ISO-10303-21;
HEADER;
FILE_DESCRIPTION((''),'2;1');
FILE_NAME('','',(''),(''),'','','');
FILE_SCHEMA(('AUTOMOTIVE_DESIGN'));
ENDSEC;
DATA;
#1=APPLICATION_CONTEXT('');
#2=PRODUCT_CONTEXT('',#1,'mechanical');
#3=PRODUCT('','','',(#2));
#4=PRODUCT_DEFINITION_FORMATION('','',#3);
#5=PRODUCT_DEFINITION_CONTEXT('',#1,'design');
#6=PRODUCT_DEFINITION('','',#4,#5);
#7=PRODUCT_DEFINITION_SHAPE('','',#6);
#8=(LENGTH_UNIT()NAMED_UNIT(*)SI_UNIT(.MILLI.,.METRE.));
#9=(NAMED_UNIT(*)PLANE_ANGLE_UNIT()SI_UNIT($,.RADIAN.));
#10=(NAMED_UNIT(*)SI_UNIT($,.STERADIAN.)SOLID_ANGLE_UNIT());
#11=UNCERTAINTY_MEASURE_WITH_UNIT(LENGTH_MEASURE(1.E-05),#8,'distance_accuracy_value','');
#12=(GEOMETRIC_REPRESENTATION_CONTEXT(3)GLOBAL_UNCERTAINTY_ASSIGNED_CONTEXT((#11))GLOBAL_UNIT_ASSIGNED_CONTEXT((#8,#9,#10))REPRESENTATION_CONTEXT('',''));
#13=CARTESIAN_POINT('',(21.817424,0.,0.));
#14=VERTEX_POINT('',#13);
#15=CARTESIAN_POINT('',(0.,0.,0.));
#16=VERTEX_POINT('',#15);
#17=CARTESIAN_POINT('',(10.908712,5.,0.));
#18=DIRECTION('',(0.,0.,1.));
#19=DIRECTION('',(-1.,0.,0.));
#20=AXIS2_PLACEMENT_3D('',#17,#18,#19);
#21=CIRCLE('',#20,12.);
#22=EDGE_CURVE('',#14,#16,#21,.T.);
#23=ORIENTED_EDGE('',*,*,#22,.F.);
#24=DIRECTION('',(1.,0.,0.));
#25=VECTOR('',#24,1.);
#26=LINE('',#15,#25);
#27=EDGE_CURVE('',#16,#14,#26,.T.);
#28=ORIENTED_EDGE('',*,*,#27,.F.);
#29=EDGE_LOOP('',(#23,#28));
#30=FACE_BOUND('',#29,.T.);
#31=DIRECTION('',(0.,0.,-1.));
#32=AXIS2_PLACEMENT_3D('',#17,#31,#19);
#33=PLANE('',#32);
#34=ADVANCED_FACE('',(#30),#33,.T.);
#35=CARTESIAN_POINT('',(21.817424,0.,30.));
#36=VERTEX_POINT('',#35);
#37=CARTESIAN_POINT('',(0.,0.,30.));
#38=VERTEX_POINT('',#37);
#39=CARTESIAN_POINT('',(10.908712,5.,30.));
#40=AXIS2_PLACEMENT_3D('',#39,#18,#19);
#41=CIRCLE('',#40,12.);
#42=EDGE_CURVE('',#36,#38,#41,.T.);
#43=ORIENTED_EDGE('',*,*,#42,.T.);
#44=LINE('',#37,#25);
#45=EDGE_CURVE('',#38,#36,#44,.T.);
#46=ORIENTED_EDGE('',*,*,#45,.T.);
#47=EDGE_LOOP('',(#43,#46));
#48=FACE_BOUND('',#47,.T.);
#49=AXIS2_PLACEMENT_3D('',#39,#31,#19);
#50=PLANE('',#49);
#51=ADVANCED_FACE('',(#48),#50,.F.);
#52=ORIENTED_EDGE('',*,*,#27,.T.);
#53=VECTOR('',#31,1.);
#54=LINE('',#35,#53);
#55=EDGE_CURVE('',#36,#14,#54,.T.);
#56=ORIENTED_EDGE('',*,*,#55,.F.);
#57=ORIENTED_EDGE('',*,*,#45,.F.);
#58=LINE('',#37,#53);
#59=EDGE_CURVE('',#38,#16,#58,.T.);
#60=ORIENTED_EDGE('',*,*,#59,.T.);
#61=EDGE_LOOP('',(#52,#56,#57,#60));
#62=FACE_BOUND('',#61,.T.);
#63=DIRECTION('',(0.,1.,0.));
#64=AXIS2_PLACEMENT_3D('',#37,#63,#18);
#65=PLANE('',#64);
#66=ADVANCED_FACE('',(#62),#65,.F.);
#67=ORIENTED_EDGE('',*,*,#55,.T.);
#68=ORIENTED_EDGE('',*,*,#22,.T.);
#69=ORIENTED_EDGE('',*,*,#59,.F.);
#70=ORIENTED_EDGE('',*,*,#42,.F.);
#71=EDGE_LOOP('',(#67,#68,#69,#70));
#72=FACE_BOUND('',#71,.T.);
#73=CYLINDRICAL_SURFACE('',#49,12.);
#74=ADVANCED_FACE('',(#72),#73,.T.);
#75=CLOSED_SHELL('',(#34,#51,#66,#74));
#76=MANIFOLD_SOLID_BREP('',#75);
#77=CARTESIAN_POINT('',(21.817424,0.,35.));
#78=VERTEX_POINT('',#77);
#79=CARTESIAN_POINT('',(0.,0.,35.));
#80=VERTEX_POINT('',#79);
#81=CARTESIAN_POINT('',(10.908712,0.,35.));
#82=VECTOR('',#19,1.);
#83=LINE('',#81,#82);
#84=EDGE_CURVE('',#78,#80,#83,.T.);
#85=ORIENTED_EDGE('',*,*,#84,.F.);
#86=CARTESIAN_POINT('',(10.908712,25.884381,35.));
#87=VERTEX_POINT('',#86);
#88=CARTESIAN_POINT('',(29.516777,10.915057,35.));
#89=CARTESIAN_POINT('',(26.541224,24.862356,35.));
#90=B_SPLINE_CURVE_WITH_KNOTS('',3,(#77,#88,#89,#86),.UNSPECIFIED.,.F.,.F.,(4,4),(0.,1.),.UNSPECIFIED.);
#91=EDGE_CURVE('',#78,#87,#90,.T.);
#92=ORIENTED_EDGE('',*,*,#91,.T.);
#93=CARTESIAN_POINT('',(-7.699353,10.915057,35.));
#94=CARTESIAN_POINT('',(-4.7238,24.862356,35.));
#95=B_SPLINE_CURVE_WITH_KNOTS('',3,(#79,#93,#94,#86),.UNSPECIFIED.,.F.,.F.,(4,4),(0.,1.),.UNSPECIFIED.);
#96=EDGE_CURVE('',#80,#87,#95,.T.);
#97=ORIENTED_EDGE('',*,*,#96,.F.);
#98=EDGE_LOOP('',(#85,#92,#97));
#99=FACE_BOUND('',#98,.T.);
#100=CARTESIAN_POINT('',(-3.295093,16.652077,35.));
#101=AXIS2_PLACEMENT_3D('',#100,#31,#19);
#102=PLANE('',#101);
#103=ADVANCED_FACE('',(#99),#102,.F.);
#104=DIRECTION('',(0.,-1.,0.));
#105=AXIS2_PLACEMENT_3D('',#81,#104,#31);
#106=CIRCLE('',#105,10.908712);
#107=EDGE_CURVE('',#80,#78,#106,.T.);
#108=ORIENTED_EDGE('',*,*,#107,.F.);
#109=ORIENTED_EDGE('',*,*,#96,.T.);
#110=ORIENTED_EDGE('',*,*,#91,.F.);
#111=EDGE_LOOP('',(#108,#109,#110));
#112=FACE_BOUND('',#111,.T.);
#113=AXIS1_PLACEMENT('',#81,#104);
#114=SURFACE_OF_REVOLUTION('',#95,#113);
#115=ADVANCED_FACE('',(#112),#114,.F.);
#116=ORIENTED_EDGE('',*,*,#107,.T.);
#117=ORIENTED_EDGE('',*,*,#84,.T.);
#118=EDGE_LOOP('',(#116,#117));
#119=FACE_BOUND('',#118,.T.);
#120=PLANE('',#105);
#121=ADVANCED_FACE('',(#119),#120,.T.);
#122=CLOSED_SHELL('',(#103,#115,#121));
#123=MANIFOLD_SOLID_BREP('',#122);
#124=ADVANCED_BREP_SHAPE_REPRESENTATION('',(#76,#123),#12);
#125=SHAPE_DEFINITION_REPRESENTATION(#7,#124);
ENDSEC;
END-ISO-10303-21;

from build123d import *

# Parameters (mm, degrees)
BOSS_EXTRUDE1_DEPTH = 30
REVOLVE1_ANGLE      = 180


with BuildPart() as part:
    # Sketch1 → Boss-Extrude1 (new body)
    with BuildSketch(Plane.XY):
        with BuildLine():
            Line((0, 0), (21.817424229, 0))
            ThreePointArc((21.817424229, 0), (10.908712115, 17), (0, 0))
        make_face()
    extrude(amount=BOSS_EXTRUDE1_DEPTH)


with BuildPart() as body_2:
    # Sketch4 → Revolve1 (revolve)
    with BuildSketch(Plane.XY.offset(35)):
        with BuildLine():
            Line((10.908712115, 0), (10.908712115, 25.884381417))
            add(Edge.make_bspline(
                [(10.908712115, 25.884381417), (26.541224025, 24.862355599), (29.516777115, 10.915057194), (21.817424229, 0)],
                knots=[0, 0, 0, 0, 1, 1, 1, 1], degree=3))
            Line((21.817424229, 0), (10.908712115, 0))
        make_face()
    revolve(axis=Axis((10.908712115, 0, 35), (0, 1, 0)), revolution_arc=REVOLVE1_ANGLE)


solid = Compound([part.part, body_2.part])
